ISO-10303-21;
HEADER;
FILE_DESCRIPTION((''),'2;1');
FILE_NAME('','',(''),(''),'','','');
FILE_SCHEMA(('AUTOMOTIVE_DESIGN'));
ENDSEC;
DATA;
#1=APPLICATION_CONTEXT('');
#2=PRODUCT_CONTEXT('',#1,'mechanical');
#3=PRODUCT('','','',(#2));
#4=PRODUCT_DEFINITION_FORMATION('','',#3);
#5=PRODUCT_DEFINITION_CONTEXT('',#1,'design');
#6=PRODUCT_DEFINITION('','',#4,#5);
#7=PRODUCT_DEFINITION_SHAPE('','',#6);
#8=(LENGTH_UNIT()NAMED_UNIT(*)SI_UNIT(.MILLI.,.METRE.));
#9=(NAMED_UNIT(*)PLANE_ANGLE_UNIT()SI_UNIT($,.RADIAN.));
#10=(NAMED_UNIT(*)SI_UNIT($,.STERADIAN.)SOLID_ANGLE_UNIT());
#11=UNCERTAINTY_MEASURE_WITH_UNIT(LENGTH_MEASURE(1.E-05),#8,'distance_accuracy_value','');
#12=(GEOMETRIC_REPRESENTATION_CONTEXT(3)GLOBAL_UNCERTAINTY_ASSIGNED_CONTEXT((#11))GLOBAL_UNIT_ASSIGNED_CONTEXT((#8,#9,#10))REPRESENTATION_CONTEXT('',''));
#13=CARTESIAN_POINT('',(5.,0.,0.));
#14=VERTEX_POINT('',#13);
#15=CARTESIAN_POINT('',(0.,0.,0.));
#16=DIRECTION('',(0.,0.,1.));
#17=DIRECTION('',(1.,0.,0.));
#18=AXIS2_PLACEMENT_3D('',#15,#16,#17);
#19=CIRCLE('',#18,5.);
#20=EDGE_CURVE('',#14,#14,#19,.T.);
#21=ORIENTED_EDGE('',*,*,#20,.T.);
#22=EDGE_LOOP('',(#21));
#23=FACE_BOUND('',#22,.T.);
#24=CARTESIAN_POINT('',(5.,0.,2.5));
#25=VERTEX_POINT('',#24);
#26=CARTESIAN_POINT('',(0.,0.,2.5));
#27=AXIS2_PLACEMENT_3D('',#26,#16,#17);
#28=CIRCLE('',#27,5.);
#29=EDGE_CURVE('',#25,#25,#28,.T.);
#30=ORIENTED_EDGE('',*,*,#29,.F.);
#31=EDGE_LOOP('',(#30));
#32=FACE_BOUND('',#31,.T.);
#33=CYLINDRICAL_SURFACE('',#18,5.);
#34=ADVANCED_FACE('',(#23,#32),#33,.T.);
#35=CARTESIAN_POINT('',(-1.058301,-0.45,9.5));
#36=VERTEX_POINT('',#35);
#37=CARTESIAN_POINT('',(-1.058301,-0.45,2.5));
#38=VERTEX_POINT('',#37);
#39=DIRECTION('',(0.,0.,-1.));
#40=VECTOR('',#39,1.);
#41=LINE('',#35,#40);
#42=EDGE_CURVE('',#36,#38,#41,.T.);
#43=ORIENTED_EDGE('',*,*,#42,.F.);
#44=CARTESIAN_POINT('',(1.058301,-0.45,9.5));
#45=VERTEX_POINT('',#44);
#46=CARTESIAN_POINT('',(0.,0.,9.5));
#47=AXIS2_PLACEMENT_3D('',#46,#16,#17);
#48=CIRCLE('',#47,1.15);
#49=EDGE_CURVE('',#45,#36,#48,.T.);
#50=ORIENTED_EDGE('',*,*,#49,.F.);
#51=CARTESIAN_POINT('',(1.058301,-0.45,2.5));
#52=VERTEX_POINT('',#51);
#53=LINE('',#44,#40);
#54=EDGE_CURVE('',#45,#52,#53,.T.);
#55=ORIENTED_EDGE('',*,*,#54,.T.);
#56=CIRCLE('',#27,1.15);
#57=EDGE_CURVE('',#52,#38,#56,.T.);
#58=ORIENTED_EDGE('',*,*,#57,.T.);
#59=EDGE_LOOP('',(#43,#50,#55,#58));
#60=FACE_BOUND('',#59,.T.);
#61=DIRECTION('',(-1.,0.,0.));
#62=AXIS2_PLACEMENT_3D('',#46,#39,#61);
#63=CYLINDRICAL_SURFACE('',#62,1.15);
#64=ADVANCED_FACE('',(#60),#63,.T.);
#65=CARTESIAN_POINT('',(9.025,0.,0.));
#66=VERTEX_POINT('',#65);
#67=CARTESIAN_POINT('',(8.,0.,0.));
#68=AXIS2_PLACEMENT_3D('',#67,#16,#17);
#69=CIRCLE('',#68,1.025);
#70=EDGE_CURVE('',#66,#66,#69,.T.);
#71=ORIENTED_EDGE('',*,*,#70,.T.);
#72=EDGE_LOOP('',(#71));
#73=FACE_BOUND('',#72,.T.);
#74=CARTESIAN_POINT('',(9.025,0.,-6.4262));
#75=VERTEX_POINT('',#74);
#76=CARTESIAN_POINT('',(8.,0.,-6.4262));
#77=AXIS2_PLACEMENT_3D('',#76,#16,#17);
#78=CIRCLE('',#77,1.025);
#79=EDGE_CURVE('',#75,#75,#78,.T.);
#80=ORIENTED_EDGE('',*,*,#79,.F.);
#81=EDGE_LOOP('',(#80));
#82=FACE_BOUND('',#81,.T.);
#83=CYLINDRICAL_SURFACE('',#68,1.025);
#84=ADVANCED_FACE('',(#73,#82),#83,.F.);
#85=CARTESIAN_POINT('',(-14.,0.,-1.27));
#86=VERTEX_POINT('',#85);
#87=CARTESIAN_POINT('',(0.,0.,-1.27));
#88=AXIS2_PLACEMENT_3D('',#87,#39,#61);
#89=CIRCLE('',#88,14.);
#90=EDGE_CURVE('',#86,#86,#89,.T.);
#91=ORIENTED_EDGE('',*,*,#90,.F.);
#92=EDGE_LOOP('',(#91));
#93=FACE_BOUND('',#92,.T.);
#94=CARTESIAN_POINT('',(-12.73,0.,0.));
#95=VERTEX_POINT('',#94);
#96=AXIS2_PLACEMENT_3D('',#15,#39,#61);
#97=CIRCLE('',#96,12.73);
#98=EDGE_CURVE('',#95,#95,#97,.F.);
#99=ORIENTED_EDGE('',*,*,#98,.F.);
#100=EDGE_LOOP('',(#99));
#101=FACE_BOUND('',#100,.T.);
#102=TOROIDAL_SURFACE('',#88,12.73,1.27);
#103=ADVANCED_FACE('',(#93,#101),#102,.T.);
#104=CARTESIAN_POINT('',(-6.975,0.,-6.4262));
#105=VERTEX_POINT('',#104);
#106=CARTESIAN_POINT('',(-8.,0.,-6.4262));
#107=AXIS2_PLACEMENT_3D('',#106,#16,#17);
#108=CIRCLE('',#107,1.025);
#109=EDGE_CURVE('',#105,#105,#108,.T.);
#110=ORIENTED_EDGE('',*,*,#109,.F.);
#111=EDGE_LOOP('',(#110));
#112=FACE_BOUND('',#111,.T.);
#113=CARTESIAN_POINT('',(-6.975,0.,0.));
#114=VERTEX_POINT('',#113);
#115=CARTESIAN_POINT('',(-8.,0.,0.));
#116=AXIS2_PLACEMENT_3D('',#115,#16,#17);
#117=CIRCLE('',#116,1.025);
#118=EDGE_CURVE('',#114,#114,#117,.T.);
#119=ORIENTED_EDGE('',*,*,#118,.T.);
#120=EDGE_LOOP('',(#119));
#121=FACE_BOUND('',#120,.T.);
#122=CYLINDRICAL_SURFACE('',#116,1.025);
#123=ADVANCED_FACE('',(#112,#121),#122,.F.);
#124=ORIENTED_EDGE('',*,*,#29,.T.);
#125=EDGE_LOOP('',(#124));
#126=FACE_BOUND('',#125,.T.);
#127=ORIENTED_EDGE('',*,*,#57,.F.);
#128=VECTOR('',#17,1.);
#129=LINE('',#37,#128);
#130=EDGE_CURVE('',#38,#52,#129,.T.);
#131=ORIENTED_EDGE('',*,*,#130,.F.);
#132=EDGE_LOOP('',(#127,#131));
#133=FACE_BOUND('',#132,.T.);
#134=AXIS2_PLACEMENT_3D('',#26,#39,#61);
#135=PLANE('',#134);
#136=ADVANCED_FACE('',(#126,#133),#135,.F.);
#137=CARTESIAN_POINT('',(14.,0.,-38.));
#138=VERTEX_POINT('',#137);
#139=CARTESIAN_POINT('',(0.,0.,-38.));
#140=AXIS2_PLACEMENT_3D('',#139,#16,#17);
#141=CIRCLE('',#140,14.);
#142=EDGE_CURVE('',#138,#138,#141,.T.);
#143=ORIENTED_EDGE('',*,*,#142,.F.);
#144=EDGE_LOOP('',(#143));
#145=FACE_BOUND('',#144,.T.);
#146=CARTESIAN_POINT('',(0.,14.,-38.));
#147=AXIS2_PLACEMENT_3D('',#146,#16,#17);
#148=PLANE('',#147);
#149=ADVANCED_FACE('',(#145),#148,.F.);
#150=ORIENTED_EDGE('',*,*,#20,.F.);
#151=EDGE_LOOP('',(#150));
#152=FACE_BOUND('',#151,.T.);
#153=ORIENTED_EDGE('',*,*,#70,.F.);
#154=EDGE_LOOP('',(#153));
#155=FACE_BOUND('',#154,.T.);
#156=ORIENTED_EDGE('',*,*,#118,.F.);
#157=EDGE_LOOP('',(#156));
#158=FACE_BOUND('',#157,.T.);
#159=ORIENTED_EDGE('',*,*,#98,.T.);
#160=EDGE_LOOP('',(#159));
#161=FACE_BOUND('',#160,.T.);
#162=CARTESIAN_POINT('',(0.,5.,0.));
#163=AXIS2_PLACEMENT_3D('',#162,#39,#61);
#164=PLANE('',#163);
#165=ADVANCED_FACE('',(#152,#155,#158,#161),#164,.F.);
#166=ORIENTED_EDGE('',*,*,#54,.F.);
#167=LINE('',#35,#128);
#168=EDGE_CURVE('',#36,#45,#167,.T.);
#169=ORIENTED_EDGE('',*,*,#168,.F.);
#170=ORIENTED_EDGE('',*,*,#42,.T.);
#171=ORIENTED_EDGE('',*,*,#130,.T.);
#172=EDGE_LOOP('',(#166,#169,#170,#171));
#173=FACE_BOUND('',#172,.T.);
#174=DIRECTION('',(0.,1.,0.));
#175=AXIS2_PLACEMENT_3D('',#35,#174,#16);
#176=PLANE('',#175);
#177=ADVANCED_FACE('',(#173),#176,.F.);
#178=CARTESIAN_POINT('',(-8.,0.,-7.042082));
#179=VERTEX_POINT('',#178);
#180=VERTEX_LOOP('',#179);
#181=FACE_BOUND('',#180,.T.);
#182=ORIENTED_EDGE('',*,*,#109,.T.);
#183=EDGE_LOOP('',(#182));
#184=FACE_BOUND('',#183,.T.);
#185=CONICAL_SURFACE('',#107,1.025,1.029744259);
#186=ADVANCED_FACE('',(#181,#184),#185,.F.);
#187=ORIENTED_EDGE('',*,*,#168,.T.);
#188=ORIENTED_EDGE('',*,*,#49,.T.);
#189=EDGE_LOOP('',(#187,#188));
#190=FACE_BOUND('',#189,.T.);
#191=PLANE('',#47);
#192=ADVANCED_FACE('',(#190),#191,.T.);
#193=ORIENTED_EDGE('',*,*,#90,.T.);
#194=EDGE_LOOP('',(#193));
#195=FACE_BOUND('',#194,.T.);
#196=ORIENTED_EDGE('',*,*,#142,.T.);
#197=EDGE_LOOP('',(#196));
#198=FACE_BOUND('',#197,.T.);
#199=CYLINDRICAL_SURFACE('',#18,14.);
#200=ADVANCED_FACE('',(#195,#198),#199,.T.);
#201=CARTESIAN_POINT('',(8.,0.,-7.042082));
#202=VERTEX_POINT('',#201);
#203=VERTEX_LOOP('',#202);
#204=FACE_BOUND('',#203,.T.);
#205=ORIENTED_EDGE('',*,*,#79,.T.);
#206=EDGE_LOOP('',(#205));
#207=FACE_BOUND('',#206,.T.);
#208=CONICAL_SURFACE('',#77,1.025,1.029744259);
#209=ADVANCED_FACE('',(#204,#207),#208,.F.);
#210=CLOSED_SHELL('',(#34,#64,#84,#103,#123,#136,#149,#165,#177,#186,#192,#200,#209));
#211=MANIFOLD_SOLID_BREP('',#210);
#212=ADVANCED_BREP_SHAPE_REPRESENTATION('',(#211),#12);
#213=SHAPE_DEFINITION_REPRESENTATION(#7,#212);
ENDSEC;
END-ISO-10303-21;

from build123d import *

# Parameters (mm, degrees)
BOSS_EXTRUDE1_DEPTH          = 7
M2_5X0_45_TAPPED_HOLE1_D     = 2.05
M2_5X0_45_TAPPED_HOLE1_DEPTH = 6.4262
M2_5X0_45_TAPPED_HOLE1_TIP   = 0.615882135
FILLET1_R                    = 1.27


with BuildPart() as part:
    # Sketch1 → Revolve1 (revolve)
    with BuildSketch(Plane(origin=(0, 0, 0), x_dir=(0, 0, -1), z_dir=(1, 0, 0))):
        Polygon((-2.5, 0), (-2.5, 5), (0, 5), (0, 14), (38, 14), (38, 0), align=None)
    revolve(axis=Axis((0, 0, 0), (0, 0, -1)))

    # Sketch2 → Boss-Extrude1 (add)
    with BuildSketch(Plane.XY.offset(2.5)):
        with BuildLine():
            Line((-1.058300524, -0.45), (1.058300524, -0.45))
            ThreePointArc((1.058300524, -0.45), (0, 1.15), (-1.058300524, -0.45))
        make_face()
    extrude(amount=BOSS_EXTRUDE1_DEPTH)

    # M2.5x0.45 Tapped Hole1
    with Locations(Plane.XY):
        with Locations((8, 0), (-8, 0)):
            Hole(M2_5X0_45_TAPPED_HOLE1_D / 2, depth=M2_5X0_45_TAPPED_HOLE1_DEPTH)
            with Locations((0, 0, -(M2_5X0_45_TAPPED_HOLE1_DEPTH + M2_5X0_45_TAPPED_HOLE1_TIP / 2))):  # 118° drill point
                Cone(0, M2_5X0_45_TAPPED_HOLE1_D / 2, M2_5X0_45_TAPPED_HOLE1_TIP, mode=Mode.SUBTRACT)

    # Fillet1
    fillet1_edges = [part.edges().sort_by_distance(p)[0] for p in [
        (0, -14, 0),
    ]]
    fillet(fillet1_edges, radius=FILLET1_R)


solid = part.part
